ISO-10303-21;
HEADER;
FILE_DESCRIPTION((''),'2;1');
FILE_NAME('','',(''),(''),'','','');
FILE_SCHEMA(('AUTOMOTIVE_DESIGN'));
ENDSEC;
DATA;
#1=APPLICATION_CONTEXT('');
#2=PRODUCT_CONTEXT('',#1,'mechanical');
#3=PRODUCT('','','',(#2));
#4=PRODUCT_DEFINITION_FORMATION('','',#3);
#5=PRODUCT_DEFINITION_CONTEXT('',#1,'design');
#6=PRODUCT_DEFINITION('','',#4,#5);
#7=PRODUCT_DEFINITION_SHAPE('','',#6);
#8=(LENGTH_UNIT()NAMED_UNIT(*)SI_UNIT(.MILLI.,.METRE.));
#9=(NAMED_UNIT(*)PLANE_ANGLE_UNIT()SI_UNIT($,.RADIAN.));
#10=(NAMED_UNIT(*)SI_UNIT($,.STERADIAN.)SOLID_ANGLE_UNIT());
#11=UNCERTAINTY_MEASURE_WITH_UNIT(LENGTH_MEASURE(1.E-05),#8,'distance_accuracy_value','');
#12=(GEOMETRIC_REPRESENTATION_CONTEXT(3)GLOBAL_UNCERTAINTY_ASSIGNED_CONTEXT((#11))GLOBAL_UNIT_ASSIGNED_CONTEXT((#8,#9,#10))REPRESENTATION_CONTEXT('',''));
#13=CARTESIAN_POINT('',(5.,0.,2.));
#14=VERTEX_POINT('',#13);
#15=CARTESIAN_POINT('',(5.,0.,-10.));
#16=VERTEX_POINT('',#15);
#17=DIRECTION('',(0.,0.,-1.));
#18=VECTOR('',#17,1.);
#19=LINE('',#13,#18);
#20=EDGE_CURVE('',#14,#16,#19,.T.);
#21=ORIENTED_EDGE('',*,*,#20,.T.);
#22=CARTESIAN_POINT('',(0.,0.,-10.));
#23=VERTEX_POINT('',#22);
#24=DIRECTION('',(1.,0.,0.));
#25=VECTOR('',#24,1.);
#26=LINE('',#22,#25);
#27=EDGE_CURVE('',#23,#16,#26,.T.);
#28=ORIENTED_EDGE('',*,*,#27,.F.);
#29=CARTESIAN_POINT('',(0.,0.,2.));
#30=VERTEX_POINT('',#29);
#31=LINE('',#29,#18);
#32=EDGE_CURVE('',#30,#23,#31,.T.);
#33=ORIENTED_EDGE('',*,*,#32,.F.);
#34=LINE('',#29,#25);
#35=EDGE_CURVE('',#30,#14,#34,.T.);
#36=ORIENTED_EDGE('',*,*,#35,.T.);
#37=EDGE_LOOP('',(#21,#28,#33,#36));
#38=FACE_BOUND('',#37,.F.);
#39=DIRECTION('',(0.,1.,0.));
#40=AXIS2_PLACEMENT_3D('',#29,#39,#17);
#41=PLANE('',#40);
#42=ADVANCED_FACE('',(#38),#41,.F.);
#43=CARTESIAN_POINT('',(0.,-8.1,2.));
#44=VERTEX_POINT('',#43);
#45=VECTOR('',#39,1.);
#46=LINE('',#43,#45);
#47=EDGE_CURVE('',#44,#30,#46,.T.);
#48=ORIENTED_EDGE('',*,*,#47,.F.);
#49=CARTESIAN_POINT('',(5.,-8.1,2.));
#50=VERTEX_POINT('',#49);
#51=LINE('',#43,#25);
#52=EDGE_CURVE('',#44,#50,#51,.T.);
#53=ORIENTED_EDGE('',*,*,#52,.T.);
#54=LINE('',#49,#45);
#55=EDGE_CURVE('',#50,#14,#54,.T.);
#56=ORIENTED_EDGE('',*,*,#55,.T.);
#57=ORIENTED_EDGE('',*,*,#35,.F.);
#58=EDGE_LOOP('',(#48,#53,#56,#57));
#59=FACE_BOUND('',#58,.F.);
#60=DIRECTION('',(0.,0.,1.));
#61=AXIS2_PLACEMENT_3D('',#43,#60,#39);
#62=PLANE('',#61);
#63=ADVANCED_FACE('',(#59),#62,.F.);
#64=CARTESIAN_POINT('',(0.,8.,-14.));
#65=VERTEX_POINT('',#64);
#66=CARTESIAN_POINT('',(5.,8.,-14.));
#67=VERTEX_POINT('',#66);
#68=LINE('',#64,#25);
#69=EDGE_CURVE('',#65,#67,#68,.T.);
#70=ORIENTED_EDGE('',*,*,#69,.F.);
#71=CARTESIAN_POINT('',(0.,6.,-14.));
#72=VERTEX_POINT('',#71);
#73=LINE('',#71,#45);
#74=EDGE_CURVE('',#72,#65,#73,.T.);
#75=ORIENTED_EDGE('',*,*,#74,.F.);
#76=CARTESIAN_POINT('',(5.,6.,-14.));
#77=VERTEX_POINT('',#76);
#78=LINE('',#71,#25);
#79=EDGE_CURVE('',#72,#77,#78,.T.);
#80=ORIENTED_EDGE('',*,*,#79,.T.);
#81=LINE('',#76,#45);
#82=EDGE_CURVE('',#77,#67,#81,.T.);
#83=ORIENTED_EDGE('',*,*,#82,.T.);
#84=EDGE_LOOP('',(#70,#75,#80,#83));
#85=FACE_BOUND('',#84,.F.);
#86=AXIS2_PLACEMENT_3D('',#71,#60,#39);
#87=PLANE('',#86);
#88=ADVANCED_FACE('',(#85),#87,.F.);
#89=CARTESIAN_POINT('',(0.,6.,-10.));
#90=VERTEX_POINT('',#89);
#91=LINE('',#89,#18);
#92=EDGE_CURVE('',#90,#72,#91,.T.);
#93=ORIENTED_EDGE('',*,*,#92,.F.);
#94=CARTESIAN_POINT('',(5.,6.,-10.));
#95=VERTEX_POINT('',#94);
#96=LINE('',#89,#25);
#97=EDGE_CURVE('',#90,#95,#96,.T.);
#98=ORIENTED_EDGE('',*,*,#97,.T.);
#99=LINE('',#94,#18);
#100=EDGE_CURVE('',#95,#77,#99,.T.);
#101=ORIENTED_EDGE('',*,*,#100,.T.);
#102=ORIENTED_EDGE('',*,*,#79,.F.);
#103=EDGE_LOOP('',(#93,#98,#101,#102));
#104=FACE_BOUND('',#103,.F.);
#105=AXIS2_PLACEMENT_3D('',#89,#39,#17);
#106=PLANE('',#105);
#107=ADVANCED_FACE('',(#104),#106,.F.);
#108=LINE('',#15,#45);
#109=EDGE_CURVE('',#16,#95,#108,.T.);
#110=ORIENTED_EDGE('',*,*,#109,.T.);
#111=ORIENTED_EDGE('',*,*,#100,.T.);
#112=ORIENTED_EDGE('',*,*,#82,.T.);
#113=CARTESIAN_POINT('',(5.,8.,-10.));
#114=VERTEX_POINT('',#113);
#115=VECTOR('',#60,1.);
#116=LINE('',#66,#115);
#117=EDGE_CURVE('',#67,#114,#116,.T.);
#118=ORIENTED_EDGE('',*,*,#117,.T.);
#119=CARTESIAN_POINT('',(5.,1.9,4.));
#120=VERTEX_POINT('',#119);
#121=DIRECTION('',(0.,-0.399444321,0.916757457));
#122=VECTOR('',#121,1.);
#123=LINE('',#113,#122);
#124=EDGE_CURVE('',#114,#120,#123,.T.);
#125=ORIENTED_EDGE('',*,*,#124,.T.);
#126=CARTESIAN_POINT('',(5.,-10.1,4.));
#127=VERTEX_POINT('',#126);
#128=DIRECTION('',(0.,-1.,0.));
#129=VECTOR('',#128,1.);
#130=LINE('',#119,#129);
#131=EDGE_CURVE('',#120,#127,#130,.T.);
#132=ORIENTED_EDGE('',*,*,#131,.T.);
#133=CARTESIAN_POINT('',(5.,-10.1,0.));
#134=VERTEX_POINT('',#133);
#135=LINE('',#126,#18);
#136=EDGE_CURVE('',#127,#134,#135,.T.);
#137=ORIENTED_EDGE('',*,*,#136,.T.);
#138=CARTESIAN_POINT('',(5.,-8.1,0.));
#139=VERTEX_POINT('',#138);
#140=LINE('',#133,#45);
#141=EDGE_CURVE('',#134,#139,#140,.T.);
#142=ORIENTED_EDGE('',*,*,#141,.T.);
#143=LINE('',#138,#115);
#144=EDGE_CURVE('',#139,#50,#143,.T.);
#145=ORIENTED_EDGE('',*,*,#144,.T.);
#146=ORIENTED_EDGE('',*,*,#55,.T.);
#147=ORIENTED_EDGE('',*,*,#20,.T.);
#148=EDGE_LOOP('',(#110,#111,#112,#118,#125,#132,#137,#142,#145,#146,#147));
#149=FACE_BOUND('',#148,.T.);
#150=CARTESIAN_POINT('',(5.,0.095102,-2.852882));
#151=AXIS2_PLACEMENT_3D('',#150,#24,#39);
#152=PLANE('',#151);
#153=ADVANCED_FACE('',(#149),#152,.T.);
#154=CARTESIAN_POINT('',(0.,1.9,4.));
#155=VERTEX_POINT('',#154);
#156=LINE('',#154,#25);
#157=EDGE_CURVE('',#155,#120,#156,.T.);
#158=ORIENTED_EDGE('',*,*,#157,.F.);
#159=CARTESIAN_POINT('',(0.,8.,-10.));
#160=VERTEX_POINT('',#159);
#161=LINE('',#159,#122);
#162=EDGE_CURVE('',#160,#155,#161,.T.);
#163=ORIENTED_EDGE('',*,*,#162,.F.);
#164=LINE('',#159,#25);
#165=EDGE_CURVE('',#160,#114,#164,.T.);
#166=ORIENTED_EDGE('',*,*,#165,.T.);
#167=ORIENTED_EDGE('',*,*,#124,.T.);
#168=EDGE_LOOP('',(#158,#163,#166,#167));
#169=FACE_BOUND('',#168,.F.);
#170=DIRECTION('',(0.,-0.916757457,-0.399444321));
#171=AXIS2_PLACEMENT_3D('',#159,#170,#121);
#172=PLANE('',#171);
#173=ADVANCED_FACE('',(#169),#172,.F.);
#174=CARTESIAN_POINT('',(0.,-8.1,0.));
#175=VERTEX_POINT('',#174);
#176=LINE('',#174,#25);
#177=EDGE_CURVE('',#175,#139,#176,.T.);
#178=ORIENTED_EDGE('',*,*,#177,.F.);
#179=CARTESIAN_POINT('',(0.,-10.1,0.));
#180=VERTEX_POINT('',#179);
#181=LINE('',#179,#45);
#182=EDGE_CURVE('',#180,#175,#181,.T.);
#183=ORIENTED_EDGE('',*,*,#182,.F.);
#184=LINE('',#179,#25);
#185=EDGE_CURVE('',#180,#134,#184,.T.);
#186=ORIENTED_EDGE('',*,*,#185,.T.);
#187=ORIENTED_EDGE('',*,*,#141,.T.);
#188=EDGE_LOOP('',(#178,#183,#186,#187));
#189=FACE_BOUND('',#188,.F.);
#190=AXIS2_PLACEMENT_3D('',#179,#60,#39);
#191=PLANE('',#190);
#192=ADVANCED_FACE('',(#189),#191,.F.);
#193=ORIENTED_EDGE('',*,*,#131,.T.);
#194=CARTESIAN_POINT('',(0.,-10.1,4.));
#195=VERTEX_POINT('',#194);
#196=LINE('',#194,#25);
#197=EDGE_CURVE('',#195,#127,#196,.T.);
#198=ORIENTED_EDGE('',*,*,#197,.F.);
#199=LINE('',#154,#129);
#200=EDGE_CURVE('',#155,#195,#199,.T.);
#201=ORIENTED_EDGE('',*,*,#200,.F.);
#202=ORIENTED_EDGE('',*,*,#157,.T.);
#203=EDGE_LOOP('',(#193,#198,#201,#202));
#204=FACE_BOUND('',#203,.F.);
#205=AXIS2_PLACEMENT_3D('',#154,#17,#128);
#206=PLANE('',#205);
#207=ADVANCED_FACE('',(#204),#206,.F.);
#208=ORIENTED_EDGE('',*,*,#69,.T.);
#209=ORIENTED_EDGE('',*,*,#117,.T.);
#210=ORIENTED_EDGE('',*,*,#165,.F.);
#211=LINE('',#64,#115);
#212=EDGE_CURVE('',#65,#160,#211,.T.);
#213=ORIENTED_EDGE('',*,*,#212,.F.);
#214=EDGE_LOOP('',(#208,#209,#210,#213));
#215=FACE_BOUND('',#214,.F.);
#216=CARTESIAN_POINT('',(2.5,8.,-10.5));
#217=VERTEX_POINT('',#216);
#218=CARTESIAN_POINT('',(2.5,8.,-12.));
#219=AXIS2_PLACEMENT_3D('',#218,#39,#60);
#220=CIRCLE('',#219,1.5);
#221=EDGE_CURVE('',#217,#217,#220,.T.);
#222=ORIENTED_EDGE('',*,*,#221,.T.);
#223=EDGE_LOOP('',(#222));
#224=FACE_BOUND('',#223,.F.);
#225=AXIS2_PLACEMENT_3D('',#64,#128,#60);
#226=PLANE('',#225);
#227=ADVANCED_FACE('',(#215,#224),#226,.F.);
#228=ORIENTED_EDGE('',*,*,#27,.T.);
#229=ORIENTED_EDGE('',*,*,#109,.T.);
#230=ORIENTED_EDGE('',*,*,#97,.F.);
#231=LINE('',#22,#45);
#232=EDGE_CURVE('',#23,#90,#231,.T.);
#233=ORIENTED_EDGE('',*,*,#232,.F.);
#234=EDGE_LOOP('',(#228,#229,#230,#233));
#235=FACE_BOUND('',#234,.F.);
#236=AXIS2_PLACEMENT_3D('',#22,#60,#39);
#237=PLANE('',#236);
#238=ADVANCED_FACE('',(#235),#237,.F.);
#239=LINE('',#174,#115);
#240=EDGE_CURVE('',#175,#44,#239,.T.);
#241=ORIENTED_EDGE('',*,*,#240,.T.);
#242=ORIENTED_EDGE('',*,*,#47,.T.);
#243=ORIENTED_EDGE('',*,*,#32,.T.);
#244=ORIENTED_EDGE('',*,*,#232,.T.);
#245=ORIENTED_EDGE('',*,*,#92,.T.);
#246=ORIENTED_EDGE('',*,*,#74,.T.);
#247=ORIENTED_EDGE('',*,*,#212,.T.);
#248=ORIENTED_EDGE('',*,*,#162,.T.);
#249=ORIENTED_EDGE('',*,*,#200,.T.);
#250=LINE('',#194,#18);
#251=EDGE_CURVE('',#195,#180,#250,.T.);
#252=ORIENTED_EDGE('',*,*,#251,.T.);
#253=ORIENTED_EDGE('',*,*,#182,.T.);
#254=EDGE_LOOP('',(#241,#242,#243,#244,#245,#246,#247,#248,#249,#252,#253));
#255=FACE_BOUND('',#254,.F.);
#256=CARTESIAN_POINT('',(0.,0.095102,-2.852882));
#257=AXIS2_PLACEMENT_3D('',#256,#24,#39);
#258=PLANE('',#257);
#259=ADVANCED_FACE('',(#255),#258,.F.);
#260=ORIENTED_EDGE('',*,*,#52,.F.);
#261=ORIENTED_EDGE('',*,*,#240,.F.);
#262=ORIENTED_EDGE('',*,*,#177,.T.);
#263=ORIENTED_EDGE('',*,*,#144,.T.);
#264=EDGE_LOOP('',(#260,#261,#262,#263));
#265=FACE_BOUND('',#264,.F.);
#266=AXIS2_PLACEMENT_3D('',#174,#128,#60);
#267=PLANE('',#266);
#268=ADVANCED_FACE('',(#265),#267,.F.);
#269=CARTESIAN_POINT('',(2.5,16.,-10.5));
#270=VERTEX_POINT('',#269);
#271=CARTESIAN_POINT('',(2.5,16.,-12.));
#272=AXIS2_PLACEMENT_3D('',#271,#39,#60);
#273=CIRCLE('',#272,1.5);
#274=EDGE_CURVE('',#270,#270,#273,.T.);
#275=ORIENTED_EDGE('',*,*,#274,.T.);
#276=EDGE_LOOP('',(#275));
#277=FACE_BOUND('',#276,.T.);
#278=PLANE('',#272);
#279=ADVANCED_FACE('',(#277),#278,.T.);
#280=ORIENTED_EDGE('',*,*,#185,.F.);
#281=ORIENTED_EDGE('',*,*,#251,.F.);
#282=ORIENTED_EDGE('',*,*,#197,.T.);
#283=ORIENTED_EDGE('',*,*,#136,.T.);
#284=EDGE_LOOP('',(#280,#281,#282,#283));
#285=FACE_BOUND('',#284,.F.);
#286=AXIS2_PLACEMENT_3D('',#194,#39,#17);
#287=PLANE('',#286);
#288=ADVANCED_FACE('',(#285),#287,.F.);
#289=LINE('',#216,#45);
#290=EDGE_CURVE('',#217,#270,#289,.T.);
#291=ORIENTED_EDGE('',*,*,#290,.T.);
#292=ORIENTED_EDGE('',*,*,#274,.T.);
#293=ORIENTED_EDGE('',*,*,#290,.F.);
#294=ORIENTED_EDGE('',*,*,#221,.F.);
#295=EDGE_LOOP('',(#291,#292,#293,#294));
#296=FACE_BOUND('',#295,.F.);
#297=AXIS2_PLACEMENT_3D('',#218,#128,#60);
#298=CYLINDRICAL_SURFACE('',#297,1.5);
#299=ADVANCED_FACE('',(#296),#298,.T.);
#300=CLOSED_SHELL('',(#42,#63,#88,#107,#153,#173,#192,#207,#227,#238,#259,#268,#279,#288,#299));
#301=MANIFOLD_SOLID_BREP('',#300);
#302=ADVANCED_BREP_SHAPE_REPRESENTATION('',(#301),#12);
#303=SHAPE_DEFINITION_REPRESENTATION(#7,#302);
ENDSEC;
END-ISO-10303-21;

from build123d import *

# Parameters (mm, degrees)
PAD_DEPTH    = 5
SKETCH001_R  = 1.5
PAD001_DEPTH = 8


with BuildPart() as part:
    # Sketch → Pad (new body)
    with BuildSketch(Plane.YZ):
        Polygon((-10.1, 0), (-8.1, 0), (-8.1, 2), (0, 2), (0, -10), (6, -10), (6, -14), (8, -14), (8, -10), (1.9, 4), (-10.1, 4), align=None)
    extrude(amount=PAD_DEPTH)

    # Sketch001 (on Face10 of Pad) → Pad001 (join)
    with BuildSketch(Plane.ZX.offset(8)):
        with Locations((-12, 2.5)):
            Circle(SKETCH001_R)
    extrude(amount=PAD001_DEPTH)


solid = part.part
